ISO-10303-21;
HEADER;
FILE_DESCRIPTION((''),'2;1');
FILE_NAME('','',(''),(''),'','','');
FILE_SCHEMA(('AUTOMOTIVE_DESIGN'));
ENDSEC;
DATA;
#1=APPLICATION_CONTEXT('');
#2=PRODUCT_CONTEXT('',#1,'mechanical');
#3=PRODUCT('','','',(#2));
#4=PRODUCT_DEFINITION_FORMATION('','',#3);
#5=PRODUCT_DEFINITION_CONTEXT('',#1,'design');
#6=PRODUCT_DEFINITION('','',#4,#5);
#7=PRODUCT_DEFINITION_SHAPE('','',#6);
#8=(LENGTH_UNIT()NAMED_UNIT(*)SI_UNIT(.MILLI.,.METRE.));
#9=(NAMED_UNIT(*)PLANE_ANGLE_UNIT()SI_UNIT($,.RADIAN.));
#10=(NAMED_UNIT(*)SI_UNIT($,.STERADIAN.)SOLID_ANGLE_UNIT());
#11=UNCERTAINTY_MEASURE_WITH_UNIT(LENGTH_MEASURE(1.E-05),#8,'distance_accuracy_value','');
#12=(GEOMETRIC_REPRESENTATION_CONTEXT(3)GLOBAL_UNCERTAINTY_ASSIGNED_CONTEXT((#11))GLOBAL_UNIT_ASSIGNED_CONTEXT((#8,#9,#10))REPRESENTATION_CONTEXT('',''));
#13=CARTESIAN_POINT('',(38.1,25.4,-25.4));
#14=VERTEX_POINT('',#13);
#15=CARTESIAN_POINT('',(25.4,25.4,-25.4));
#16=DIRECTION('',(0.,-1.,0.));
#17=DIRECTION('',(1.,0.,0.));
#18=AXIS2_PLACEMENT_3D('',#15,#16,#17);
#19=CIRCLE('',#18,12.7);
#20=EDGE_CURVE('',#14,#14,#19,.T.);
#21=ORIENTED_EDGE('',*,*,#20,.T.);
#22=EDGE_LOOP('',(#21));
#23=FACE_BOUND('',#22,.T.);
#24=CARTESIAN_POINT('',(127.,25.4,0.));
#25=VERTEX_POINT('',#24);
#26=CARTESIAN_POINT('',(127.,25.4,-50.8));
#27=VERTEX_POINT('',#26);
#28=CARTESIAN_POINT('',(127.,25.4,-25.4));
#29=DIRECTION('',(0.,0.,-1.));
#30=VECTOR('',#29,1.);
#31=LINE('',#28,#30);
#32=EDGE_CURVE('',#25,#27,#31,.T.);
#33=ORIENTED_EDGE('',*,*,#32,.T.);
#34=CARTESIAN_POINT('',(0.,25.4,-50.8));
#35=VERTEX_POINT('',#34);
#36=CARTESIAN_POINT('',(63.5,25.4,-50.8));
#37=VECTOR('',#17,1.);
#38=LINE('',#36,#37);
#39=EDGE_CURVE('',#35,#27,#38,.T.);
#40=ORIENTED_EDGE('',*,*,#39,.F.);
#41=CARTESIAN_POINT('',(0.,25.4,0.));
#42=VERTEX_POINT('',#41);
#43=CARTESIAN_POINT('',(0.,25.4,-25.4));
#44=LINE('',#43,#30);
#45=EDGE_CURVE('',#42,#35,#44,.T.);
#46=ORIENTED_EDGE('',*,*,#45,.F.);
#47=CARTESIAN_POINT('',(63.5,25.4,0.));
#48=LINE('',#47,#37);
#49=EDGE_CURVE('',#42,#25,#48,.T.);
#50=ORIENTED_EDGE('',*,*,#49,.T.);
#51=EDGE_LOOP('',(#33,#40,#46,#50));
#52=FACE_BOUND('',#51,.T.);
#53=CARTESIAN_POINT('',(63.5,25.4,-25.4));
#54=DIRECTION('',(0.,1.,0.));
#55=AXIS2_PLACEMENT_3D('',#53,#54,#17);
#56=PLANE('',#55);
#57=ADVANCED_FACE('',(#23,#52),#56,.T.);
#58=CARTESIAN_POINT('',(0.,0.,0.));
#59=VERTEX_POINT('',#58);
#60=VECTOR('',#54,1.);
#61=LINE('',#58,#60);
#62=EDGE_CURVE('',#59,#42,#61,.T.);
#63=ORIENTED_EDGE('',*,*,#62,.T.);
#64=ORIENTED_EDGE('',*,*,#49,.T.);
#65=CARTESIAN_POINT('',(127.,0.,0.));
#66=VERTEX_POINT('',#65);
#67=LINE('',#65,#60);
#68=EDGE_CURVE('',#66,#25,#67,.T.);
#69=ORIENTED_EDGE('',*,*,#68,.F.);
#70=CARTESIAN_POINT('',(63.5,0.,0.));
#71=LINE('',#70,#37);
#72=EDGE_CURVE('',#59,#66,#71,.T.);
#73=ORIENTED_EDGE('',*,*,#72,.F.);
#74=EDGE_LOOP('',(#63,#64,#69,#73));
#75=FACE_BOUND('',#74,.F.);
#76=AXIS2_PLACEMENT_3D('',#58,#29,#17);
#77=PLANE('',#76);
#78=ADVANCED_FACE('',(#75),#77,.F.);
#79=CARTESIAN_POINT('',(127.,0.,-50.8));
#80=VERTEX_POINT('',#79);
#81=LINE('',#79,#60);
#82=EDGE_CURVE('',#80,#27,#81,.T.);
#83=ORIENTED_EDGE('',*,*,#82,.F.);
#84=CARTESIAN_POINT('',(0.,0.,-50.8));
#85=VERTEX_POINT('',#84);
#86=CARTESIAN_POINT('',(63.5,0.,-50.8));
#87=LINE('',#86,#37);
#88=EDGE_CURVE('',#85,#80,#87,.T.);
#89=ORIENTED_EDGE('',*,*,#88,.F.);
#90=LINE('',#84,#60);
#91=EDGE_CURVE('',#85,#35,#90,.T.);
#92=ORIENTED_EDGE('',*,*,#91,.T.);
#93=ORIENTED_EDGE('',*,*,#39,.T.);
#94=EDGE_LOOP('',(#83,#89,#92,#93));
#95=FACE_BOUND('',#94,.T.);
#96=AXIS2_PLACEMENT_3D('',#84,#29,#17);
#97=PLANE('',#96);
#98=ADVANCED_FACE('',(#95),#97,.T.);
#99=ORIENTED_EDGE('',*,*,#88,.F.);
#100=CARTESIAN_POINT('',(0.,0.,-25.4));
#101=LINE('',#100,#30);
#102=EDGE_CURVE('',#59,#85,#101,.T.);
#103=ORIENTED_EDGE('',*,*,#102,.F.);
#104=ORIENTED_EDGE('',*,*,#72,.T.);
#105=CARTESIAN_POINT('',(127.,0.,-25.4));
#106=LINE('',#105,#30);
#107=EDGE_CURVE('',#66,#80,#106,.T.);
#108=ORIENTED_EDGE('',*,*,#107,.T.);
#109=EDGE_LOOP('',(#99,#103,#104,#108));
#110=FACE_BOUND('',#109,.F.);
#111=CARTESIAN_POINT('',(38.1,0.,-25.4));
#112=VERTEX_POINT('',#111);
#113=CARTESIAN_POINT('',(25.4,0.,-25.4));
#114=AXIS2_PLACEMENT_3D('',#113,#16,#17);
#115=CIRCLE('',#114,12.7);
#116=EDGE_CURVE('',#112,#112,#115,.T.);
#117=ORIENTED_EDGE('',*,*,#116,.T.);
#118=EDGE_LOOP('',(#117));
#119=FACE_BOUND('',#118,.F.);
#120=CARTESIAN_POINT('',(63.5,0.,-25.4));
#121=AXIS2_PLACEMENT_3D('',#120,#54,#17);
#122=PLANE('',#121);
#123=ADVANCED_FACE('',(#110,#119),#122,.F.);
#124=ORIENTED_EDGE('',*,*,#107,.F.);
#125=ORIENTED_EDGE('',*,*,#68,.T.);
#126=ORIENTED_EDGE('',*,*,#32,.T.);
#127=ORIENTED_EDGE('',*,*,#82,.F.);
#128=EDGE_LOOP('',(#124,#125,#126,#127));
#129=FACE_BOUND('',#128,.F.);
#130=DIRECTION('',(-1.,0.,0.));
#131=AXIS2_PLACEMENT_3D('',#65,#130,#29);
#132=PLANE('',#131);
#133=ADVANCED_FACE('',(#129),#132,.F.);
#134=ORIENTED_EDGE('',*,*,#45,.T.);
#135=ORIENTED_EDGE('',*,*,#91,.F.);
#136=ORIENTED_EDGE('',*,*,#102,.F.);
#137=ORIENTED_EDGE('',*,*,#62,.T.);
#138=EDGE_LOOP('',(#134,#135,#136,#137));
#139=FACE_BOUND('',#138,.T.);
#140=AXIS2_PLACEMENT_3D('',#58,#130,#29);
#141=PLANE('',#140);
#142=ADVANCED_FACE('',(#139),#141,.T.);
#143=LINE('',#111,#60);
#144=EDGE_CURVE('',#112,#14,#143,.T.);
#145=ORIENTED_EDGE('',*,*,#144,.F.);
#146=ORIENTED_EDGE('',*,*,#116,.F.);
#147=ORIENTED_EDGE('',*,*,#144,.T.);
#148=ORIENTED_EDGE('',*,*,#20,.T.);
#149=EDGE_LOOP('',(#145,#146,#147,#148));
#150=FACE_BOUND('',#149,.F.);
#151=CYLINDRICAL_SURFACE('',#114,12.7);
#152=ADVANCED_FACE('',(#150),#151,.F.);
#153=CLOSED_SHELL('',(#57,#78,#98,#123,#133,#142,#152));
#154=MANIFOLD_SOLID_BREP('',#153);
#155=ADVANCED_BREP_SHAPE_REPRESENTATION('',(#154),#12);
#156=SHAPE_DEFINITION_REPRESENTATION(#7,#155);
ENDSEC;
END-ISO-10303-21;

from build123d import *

# Parameters (mm, degrees)
SKETCH2_W           = 127
SKETCH2_H           = 50.8
BOSS_EXTRUDE2_DEPTH = 25.4
CUT_EXTRUDE1_REACH  = 27.4
SKETCH3_R           = 12.7


with BuildPart() as part:
    # Sketch2 → Boss-Extrude2 (new body)
    with BuildSketch(Plane(origin=(0, 0, 0), x_dir=(1, 0, 0), z_dir=(0, 1, 0))):
        with Locations((63.5, 25.4)):
            Rectangle(SKETCH2_W, SKETCH2_H)
    extrude(amount=BOSS_EXTRUDE2_DEPTH)

    # Sketch3 → Cut-Extrude1 (cut, up to next)
    with BuildSketch(Plane.XZ, mode=Mode.PRIVATE) as cut_extrude1_sk1:
        with Locations((25.4, -25.4)):
            Circle(SKETCH3_R)
    cut_extrude1_tool1 = extrude(cut_extrude1_sk1.sketch, amount=-CUT_EXTRUDE1_REACH, mode=Mode.PRIVATE) & part.part
    add(cut_extrude1_tool1.solids().sort_by_distance((25.4, 0, -25.4))[0], mode=Mode.SUBTRACT)


solid = part.part
